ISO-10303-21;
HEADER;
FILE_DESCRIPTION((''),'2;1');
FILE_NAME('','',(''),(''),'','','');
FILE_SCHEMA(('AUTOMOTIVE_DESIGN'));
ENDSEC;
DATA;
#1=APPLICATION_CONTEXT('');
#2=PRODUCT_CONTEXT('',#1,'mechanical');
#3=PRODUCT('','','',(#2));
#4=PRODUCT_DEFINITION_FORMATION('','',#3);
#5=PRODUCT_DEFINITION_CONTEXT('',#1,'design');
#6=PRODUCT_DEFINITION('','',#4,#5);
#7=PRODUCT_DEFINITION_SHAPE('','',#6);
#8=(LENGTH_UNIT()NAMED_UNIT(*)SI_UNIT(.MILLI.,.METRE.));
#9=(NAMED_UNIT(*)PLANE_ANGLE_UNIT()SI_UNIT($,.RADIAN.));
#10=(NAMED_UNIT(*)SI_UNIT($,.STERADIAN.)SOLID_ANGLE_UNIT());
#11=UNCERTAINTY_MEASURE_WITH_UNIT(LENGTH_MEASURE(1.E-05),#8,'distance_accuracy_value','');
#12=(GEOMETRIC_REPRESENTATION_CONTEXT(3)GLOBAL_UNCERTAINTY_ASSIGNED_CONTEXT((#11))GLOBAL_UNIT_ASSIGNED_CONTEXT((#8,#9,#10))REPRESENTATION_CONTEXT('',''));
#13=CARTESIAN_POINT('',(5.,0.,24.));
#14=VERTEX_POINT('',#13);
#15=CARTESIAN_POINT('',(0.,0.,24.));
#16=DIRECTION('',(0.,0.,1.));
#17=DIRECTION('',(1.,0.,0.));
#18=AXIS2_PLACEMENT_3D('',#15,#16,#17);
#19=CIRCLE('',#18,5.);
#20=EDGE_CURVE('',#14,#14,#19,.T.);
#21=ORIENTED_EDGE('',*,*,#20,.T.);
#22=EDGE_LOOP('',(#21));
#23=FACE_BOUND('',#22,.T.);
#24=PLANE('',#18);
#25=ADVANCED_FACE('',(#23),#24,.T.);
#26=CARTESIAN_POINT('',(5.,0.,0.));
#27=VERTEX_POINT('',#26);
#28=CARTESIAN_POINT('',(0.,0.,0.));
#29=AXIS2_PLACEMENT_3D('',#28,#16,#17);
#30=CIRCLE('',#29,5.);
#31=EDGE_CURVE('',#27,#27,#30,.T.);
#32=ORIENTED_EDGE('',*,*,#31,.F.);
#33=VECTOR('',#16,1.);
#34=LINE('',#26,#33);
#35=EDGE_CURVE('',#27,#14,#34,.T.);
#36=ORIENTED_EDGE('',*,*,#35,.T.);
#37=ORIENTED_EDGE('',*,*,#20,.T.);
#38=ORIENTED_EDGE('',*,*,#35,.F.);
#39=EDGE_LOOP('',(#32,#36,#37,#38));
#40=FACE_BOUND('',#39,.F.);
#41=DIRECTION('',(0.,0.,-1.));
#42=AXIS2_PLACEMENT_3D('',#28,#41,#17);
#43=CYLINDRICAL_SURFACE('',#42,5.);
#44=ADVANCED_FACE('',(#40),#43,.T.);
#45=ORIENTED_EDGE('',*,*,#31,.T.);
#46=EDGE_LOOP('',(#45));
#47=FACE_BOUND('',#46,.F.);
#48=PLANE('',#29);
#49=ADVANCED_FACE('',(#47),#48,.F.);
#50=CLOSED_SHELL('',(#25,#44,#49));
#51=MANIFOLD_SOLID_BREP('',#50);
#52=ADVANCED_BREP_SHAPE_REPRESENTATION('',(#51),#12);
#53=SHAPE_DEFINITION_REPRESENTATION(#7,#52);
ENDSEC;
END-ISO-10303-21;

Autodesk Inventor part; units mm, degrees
ref_plane "YZ Plane" through (0, 0, 0) normal (1, 0, 0) x (0, 1, 0)
ref_plane "XZ Plane" through (0, 0, 0) normal (0, 1, 0) x (-1, 0, 0)
ref_plane "XY Plane" through (0, 0, 0) normal (0, 0, 1) x (1, 0, 0)
sketch "Skizze1" plane through (0, 0, 0) normal (0, 0, 1) x (1, 0, 0)
  circle A0 centre (0, 0) radius 5
  dimension "d0" = 10
extrude "Extrusion1" add sketch "Skizze1" along normal blind 24
properties part number "BauteilWelle15"
